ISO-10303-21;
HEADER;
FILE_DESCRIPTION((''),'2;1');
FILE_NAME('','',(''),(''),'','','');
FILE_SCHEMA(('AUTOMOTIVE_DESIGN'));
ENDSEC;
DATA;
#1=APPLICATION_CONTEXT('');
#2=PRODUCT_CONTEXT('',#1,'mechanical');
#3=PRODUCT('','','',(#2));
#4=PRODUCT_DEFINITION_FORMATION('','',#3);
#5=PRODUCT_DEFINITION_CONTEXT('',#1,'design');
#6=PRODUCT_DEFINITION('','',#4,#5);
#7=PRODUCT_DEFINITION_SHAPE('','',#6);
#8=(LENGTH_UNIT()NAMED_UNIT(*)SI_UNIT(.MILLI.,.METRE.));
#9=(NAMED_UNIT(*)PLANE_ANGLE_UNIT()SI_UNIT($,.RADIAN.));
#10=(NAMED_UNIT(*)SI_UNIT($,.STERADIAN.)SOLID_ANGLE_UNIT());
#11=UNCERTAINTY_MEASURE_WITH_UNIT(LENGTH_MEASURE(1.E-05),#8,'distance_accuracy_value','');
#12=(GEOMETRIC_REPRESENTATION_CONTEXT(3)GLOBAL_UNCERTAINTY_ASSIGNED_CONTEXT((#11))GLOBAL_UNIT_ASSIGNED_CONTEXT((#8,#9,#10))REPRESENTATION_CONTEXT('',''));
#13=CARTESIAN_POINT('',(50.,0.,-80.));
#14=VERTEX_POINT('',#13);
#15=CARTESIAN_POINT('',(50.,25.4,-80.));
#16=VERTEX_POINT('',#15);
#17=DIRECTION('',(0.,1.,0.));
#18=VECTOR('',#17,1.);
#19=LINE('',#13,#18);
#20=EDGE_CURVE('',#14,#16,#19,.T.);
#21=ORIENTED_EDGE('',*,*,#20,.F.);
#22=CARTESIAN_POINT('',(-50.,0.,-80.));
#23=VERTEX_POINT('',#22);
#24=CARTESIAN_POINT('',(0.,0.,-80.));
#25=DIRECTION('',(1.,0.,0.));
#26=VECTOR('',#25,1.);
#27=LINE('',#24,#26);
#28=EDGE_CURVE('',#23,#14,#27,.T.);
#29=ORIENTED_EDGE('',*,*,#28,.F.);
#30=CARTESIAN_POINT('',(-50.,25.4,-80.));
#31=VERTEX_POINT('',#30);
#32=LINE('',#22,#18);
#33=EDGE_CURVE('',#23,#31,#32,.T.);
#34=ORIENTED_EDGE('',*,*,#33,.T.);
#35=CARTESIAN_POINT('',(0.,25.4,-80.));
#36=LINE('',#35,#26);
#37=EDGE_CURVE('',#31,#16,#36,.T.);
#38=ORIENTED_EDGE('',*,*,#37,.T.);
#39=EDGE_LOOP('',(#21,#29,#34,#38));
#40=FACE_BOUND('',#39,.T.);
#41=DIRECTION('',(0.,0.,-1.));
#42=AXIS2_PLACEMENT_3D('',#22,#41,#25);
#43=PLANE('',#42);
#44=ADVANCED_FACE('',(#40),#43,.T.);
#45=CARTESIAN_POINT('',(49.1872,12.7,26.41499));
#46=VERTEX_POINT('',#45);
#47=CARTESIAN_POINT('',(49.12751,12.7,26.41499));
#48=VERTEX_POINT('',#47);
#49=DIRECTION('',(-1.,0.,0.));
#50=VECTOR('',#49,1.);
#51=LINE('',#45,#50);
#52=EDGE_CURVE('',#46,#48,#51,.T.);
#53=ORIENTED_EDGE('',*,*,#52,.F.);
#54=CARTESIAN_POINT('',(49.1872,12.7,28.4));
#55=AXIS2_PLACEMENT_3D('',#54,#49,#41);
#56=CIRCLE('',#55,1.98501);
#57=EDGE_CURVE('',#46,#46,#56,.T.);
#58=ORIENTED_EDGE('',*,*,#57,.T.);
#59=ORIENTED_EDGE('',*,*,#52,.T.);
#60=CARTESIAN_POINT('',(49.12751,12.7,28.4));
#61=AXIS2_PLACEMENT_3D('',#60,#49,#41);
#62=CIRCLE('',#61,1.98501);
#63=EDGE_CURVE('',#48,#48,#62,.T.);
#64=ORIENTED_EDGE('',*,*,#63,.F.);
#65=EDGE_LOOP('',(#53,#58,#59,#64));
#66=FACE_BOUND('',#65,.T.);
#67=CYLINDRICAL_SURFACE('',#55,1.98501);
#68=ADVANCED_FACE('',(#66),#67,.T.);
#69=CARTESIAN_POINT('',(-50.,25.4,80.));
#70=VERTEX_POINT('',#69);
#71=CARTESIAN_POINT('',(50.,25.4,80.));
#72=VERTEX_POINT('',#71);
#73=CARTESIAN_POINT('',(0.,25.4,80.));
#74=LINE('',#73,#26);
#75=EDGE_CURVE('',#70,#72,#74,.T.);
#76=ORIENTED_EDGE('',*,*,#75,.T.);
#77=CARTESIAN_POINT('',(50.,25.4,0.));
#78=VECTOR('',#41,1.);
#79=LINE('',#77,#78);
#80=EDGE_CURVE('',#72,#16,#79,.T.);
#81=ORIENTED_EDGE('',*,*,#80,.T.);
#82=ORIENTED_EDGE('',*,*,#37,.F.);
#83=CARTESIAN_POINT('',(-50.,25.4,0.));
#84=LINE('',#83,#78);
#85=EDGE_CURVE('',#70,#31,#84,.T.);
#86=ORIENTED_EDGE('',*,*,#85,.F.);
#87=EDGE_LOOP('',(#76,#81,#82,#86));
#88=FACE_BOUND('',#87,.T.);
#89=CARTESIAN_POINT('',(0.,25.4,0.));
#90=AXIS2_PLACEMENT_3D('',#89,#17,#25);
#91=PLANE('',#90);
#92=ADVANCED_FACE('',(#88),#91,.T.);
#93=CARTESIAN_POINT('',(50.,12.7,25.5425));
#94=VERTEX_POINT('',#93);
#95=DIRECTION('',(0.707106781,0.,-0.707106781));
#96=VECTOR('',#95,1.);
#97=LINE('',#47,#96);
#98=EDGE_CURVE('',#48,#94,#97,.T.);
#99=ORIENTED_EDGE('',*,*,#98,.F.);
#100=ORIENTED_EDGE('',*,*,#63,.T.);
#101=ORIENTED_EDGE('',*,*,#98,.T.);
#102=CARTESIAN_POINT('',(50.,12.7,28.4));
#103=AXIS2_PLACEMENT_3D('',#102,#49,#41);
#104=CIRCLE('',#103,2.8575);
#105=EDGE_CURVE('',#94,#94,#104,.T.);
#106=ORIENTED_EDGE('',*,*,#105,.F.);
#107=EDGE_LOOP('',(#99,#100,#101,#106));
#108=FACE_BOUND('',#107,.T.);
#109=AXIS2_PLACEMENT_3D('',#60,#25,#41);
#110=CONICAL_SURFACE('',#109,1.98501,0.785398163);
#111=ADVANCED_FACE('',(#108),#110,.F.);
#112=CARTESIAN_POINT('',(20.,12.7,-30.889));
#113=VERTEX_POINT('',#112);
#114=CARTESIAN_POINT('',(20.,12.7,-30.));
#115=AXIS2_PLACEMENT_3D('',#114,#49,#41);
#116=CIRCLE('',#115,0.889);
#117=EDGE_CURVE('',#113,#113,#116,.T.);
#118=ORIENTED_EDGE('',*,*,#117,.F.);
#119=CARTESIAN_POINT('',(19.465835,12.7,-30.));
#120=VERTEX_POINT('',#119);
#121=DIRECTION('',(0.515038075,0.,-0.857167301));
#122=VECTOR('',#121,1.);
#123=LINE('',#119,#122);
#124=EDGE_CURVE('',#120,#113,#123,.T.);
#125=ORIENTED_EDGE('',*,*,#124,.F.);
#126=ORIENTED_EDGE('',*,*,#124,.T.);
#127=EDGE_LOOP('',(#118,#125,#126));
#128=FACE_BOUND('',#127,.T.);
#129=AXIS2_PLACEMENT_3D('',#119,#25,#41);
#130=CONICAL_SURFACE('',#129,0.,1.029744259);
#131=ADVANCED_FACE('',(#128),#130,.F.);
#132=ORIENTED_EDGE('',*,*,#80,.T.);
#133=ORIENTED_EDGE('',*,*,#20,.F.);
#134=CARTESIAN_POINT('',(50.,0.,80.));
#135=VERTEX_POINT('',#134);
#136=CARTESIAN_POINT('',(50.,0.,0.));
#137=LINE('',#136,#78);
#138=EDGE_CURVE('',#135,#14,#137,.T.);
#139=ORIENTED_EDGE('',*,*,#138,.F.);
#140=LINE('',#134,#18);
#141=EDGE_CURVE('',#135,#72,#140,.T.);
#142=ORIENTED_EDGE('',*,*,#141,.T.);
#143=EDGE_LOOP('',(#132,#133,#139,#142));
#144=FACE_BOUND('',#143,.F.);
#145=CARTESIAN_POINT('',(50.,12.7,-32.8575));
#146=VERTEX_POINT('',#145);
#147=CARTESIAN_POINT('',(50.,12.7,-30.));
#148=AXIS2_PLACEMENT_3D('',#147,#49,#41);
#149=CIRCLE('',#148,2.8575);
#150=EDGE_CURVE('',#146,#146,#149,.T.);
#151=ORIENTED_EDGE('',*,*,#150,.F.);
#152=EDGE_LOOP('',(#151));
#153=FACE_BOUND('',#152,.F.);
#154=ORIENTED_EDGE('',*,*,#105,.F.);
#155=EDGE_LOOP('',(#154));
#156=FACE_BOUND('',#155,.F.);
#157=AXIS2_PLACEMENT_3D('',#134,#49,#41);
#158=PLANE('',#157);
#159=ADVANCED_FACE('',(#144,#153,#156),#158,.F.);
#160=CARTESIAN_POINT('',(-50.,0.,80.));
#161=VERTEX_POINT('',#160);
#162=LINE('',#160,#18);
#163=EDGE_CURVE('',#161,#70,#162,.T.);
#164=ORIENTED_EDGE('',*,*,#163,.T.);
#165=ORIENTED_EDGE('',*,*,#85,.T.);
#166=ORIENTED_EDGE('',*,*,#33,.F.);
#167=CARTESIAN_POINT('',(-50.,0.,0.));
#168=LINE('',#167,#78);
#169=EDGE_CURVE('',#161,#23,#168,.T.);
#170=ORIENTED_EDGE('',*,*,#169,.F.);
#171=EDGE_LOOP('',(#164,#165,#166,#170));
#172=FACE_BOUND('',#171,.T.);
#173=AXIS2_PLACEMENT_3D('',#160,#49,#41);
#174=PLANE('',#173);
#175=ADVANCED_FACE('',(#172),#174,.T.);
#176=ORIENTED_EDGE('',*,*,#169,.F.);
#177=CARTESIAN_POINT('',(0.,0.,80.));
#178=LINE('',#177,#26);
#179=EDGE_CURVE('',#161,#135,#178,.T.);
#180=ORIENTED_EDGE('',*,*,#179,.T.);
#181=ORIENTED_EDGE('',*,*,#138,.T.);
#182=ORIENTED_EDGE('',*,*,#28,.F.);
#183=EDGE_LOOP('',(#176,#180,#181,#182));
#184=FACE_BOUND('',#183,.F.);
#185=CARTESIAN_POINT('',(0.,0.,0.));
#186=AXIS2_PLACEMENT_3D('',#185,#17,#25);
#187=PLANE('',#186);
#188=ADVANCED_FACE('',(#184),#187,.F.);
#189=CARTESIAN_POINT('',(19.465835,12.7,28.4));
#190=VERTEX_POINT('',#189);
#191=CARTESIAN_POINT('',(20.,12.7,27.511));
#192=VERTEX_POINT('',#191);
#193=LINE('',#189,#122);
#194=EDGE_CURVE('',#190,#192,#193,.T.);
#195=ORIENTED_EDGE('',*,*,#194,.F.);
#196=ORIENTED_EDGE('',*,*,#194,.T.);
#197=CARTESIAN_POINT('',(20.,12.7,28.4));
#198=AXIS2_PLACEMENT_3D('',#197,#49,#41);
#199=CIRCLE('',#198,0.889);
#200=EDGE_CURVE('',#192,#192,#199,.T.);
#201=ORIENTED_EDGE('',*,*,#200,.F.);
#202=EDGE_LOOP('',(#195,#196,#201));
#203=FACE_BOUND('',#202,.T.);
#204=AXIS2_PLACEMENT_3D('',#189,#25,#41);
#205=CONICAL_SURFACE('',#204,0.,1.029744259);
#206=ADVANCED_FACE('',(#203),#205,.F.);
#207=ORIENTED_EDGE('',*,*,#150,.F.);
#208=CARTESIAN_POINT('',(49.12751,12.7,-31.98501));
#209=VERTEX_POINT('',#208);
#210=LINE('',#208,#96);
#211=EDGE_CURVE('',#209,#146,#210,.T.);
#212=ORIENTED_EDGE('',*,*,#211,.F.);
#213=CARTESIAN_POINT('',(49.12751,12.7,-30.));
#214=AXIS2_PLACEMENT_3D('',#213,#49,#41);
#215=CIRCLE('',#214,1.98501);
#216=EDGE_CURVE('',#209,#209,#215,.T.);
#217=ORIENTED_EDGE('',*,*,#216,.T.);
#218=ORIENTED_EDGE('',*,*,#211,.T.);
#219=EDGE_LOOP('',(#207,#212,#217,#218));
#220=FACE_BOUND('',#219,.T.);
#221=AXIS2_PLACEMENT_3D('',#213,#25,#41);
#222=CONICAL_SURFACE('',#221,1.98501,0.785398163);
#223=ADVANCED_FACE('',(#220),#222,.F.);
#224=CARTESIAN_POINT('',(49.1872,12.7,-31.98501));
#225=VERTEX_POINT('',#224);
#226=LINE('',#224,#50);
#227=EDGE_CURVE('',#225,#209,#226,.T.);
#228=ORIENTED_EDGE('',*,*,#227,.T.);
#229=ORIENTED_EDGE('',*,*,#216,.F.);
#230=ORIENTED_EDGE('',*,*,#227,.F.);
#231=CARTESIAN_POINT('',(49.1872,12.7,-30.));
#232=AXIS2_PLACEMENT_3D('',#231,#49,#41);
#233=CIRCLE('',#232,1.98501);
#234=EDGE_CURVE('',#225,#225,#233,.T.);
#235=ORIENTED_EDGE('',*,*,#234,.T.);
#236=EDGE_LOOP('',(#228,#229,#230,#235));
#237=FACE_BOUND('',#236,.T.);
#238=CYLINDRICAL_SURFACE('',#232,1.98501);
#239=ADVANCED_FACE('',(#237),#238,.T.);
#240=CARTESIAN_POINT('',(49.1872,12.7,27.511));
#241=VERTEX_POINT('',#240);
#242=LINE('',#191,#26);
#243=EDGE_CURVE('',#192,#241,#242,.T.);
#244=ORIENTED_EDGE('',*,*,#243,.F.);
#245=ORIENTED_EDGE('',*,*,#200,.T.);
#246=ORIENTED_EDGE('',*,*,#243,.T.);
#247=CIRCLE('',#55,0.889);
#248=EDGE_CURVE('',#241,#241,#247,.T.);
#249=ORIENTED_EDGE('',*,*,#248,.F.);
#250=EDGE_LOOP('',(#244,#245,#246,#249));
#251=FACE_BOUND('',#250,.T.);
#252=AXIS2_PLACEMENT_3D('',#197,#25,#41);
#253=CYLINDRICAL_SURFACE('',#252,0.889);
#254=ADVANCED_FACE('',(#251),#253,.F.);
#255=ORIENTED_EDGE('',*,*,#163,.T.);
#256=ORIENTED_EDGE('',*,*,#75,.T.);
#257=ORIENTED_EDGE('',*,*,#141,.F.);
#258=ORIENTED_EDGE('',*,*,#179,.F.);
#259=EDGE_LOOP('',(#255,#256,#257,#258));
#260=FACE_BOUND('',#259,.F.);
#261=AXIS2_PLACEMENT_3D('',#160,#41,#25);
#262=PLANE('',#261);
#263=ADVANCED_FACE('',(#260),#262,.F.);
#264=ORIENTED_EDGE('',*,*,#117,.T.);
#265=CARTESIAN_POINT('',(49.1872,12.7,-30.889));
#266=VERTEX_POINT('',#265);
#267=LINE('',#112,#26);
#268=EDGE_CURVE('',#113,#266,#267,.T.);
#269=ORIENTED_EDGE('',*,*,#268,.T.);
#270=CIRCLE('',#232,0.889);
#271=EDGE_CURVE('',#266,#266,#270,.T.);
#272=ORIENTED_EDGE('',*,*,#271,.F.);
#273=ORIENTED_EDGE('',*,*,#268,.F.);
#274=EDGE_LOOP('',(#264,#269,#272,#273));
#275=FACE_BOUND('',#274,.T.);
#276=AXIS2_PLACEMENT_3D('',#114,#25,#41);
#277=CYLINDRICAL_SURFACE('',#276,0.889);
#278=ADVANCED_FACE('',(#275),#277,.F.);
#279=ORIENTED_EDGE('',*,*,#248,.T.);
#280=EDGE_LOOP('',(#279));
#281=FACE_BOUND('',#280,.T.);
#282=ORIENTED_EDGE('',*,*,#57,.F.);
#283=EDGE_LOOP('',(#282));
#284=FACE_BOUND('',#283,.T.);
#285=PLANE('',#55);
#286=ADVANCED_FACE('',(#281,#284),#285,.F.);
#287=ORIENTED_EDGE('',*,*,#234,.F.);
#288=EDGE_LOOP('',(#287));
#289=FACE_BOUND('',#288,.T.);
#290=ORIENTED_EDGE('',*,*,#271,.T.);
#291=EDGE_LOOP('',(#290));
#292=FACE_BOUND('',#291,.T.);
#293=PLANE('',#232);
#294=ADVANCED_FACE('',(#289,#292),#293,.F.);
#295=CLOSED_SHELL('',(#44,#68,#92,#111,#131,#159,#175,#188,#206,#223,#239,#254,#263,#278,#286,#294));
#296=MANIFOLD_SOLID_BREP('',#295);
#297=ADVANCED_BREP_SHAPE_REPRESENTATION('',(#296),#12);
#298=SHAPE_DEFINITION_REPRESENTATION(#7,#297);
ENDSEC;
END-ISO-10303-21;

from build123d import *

# Parameters (mm, degrees)
SKETCH1_W                                   = 100
SKETCH1_H                                   = 160
BOSS_EXTRUDE1_DEPTH                         = 25.4
CBORE_FOR_0_BINDING_HEAD_MACHINE_SC_2_COUNT = 2
CBORE_FOR_0_BINDING_HEAD_MACHINE_SC_2_PITCH = 58.4


with BuildPart() as part:
    # Sketch1 → Boss-Extrude1 (new body)
    with BuildSketch(Plane(origin=(0, 0, 0), x_dir=(1, 0, 0), z_dir=(0, 1, 0))):
        Rectangle(SKETCH1_W, SKETCH1_H)
    extrude(amount=BOSS_EXTRUDE1_DEPTH)

    # Sketch3 → CBORE for #0 Binding Head Machine Screw1 (revolve, cut)
    with BuildSketch(Plane(origin=(50, 12.7, 28.4), x_dir=(0, 0, -1), z_dir=(0, 1, 0))):
        Polygon((0, 0), (0, 30.53416509), (0.889, 30), (0.889, 0.8128), (1.98501, 0.8128), (1.98501, 0.87249), (2.8575, 0), align=None)
    cbore_for_0_binding_head_machine_screw1 = revolve(axis=Axis((56.35, 12.7, 28.4), (-1, 0, 0)), mode=Mode.SUBTRACT)

    # CBORE for _0 Binding Head Machine Sc 2: CBORE for #0 Binding Head Machine Screw1 ×2
    with Locations(*[(0, 0, -i * CBORE_FOR_0_BINDING_HEAD_MACHINE_SC_2_PITCH) for i in range(1, CBORE_FOR_0_BINDING_HEAD_MACHINE_SC_2_COUNT)]):
        add(cbore_for_0_binding_head_machine_screw1, mode=Mode.SUBTRACT)


solid = part.part
